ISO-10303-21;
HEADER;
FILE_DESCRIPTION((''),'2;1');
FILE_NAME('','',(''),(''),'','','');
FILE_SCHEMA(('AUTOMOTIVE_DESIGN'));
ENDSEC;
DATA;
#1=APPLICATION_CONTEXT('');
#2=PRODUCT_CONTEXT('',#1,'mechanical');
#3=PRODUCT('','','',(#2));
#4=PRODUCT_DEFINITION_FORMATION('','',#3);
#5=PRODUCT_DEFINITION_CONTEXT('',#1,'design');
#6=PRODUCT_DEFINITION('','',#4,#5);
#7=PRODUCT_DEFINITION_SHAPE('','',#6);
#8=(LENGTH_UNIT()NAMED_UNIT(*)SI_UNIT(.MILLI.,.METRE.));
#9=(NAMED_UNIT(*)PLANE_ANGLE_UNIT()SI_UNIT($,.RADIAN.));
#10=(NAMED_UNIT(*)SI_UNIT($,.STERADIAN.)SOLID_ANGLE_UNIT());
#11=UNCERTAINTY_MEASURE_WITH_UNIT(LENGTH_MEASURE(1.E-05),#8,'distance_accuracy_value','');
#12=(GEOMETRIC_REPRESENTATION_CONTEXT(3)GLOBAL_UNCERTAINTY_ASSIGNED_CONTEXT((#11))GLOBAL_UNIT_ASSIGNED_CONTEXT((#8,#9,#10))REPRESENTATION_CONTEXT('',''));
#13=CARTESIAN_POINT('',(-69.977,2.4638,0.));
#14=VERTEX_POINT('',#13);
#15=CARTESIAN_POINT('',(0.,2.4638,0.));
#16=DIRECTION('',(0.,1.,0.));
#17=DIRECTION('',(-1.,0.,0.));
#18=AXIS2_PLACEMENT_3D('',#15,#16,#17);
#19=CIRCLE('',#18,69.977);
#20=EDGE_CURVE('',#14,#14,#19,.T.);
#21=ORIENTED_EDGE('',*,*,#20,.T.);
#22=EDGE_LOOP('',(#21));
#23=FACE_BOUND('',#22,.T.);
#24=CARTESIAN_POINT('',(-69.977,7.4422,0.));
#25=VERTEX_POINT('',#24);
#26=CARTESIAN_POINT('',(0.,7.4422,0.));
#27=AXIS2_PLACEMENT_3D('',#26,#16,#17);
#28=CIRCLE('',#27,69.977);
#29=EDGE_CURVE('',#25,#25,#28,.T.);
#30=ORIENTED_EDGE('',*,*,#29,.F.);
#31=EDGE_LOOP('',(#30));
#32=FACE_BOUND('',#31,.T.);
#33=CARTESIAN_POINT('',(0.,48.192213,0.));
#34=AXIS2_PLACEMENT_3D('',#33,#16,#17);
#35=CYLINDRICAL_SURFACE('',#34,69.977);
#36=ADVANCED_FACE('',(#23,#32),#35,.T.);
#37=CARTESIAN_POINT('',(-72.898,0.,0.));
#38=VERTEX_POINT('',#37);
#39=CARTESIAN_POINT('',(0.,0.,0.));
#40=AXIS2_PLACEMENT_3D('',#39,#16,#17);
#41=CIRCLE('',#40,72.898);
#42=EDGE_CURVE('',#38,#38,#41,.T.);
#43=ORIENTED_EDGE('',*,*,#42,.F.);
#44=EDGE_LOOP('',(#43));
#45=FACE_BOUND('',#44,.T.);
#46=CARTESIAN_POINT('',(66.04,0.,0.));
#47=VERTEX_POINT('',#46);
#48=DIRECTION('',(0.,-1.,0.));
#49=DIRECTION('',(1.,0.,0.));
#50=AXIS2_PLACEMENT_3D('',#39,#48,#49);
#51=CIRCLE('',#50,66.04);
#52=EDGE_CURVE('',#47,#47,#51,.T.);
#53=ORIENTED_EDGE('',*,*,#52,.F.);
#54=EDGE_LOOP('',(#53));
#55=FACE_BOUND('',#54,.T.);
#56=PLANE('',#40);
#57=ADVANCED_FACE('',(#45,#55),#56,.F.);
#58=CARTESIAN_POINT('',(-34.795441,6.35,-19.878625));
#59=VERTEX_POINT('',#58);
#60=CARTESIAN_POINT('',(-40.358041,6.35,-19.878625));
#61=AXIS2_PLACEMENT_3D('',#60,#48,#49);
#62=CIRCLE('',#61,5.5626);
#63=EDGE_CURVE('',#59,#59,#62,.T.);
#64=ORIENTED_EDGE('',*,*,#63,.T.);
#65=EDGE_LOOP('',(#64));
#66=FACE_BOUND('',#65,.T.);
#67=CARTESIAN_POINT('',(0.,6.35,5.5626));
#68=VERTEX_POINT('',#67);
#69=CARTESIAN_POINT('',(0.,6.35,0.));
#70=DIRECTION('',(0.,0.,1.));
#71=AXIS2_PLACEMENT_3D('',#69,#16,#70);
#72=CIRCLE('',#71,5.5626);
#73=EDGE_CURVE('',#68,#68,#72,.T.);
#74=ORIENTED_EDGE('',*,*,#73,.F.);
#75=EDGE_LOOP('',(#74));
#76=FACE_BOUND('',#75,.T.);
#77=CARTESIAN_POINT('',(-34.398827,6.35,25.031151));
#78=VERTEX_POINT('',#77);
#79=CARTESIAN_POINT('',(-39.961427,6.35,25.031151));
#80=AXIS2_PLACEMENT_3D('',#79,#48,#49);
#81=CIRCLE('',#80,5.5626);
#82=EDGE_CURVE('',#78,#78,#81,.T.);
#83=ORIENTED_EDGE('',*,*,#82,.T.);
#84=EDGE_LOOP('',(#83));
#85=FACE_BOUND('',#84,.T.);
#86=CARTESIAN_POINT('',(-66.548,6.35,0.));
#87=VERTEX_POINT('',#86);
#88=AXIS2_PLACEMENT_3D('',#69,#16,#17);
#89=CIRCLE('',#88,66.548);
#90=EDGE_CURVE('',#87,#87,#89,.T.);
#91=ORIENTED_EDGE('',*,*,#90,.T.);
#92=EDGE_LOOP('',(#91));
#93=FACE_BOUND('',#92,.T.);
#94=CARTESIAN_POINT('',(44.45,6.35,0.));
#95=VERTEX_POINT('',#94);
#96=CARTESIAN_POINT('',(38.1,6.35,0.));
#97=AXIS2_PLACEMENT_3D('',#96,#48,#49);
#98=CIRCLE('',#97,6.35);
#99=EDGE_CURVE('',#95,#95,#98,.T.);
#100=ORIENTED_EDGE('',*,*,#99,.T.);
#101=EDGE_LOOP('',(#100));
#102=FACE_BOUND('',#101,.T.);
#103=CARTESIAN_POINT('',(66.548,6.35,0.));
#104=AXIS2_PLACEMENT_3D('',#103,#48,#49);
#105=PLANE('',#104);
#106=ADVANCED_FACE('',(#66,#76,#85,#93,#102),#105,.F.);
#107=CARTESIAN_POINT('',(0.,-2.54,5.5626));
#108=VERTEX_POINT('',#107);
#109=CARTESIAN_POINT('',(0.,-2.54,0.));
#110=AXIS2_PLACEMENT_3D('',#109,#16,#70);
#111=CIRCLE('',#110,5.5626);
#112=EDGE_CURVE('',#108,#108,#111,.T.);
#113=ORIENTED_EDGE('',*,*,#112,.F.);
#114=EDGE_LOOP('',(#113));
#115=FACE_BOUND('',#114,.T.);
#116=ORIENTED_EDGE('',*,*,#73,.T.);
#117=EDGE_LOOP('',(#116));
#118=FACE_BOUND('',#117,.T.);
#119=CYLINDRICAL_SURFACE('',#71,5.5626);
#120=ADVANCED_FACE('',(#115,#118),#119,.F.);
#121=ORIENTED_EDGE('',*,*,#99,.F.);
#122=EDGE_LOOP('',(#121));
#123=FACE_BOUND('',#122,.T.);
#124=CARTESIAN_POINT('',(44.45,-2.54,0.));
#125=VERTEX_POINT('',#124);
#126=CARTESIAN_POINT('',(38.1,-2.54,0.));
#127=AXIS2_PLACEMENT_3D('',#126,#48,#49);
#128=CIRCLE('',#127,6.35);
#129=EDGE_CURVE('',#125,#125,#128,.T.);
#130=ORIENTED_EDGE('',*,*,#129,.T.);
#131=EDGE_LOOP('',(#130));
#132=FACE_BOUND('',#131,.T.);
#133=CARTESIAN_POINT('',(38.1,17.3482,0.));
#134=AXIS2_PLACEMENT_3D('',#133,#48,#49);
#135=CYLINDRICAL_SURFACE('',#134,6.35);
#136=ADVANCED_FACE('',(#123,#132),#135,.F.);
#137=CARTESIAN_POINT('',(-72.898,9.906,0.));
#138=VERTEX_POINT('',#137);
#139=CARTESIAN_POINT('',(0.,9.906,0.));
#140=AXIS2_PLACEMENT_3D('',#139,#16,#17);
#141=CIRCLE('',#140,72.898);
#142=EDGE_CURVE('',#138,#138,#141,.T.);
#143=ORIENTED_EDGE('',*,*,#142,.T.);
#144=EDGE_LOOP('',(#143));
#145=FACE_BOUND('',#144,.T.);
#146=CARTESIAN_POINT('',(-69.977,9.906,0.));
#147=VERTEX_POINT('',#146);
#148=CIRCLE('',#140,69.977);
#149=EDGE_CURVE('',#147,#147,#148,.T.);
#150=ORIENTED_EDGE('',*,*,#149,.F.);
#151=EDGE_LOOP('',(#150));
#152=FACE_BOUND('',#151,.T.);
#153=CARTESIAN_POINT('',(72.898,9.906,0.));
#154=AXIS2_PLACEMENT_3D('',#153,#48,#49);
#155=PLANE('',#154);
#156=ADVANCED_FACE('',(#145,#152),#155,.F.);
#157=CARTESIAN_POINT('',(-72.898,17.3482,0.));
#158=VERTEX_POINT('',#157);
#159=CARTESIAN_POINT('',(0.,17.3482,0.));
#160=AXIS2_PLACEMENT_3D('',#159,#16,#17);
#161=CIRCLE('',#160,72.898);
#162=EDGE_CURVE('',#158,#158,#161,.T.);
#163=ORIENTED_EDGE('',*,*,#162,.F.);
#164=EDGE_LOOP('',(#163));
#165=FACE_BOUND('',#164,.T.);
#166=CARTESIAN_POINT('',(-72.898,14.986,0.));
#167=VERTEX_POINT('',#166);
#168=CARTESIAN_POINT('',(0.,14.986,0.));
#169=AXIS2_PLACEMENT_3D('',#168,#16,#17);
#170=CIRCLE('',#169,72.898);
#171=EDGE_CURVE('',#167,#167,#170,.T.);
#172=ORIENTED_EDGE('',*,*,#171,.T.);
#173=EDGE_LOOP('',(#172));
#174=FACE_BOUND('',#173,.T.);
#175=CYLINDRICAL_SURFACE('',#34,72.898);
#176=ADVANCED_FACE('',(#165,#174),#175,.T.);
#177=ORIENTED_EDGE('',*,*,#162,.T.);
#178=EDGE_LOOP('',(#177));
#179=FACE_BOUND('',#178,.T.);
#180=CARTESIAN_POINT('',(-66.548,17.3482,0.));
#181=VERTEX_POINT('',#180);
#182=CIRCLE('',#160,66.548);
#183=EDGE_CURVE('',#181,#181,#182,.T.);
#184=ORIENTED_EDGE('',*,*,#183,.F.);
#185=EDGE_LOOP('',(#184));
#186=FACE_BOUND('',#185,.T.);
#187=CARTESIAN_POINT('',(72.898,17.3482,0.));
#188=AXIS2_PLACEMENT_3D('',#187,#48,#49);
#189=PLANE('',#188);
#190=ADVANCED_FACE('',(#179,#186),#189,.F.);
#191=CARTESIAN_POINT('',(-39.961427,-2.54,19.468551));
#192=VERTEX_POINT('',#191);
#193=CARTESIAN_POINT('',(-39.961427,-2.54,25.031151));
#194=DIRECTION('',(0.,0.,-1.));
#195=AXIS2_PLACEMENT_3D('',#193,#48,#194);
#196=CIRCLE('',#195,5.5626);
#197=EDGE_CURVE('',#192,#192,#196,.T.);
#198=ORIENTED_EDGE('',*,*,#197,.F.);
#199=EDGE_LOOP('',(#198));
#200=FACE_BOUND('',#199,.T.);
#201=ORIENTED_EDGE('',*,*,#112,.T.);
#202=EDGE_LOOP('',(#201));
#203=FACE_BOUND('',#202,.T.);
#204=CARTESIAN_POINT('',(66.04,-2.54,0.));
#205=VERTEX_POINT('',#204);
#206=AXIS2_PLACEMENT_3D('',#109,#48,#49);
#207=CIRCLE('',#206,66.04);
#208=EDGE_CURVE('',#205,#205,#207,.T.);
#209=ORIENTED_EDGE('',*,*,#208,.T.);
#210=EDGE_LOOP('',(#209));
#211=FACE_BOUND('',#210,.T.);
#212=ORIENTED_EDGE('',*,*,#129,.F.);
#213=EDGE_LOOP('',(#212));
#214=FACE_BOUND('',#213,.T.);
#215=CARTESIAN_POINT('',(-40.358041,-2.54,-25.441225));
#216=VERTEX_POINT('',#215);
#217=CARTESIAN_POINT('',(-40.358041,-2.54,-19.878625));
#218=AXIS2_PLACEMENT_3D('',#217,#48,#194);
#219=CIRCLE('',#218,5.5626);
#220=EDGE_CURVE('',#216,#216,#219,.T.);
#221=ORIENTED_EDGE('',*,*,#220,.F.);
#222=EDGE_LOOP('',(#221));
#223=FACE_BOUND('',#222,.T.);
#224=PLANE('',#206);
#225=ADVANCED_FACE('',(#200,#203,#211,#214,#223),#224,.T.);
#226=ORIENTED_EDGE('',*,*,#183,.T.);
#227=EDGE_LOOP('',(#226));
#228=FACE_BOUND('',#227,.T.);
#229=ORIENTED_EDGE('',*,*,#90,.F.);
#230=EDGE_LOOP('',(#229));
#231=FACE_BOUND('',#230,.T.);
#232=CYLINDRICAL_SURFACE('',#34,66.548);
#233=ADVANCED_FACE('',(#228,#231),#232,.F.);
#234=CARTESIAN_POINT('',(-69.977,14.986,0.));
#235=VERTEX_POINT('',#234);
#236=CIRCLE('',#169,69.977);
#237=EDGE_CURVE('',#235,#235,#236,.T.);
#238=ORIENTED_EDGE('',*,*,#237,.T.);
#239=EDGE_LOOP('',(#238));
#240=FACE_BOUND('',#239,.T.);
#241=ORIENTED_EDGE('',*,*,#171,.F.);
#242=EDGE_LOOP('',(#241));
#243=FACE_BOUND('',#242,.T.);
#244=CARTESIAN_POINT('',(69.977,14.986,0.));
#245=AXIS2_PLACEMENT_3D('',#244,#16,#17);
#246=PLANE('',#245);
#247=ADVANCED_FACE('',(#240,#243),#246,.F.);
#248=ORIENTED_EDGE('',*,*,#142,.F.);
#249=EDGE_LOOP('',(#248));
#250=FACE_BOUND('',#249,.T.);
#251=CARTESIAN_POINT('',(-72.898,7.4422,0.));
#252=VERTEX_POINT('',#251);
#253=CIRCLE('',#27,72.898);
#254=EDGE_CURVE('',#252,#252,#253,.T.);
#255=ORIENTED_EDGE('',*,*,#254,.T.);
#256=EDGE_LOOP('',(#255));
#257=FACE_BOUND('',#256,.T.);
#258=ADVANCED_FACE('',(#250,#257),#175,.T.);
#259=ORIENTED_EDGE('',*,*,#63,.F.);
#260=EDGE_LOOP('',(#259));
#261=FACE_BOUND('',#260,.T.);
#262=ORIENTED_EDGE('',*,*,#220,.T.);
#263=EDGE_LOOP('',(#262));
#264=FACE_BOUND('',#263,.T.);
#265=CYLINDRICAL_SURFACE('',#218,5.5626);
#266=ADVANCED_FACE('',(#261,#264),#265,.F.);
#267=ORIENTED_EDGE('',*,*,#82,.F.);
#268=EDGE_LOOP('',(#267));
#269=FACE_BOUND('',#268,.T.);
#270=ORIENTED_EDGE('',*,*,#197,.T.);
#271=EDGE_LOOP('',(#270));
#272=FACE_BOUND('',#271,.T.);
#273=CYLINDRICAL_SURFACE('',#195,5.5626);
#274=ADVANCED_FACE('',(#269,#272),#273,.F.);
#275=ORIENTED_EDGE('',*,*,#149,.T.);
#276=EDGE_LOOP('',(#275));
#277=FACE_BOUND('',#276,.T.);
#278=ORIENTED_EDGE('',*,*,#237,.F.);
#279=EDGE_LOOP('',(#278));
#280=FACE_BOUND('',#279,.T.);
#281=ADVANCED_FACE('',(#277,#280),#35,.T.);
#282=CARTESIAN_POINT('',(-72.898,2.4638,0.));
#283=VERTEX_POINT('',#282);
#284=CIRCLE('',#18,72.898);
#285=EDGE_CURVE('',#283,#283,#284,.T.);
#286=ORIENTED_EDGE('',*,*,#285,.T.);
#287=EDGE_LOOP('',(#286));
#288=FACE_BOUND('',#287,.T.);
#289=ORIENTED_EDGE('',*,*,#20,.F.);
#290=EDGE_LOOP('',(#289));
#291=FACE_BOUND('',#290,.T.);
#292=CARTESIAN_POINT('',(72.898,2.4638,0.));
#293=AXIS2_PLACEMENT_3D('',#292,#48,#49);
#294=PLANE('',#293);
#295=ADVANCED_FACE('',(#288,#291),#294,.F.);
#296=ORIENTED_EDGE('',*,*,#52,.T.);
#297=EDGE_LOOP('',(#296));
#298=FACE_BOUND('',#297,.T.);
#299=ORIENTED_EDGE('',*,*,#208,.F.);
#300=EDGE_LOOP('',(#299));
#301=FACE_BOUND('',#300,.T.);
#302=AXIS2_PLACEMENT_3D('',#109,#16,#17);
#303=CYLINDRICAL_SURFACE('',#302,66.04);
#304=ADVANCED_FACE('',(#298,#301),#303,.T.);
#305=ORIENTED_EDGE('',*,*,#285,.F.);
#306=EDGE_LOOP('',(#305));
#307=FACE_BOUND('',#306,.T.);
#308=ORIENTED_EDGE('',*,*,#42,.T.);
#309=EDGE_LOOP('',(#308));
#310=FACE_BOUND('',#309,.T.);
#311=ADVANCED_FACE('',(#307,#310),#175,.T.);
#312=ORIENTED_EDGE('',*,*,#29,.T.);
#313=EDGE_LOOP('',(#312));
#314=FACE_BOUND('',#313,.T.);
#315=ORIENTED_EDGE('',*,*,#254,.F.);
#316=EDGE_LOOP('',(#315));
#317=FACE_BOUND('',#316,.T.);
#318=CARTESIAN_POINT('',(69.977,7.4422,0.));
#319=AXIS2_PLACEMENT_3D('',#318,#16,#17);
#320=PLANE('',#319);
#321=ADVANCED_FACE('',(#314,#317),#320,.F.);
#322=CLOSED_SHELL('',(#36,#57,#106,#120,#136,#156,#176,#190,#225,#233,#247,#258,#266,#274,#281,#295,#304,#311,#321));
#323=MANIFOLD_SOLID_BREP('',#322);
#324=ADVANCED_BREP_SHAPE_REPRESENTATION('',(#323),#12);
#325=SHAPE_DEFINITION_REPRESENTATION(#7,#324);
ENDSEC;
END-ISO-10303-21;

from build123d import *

# Parameters (mm, degrees)
SKETCH6_R                                = 66.04
BOSS_EXTRUDE1_DEPTH                      = 2.54
PIPE_TAP_DRILL_FOR_1_4_TAP_GN2_D         = 11.1252
SKETCH7_R                                = 6.35
CUT_EXTRUDE1_SIPHON_DEPTH                = 105.994177492
PIPE_TAP_DRILL_FOR_1_4_TAP_RELIEF_VALV_D = 11.1252
PIPE_TAP_DRILL_FOR_1_4_TAP_VENT_VALVE_D  = 11.1252


with BuildPart() as part:
    # Sketch1 → Revolve1 (revolve)
    with BuildSketch(Plane.XY, mode=Mode.PRIVATE) as revolve1_sk:
        Polygon((0, 0), (72.898, 0), (72.898, 2.4638), (69.977, 2.4638), (69.977, 7.4422), (72.898, 7.4422), (72.898, 9.906), (69.977, 9.906), (69.977, 14.986), (72.898, 14.986), (72.898, 17.3482), (66.548, 17.3482), (66.548, 6.35), (0, 6.35), align=None)
    revolve(revolve1_sk.sketch.rotate(Axis((0, 48.192213231, 0), (0, -1, 0)), 180), axis=Axis((0, 48.192213231, 0), (0, -1, 0)))

    # Sketch6 → Boss-Extrude1 (add)
    with BuildSketch(Plane.XZ):
        Circle(SKETCH6_R)
    extrude(amount=BOSS_EXTRUDE1_DEPTH)

    # Pipe Tap Drill for 1/4 Tap - GN2 (through all)
    with Locations(Plane(origin=(0, 6.35, 0), x_dir=(1, 0, 0), z_dir=(0, 1, 0))):
        with Locations((0, 0)):
            Hole(PIPE_TAP_DRILL_FOR_1_4_TAP_GN2_D / 2)

    # Sketch7 → Cut-Extrude1-Siphon (cut, through all)
    with BuildSketch(Plane(origin=(0, -2.54, 0), x_dir=(-1, 0, 0), z_dir=(0, -1, 0))):
        with Locations(Location((-38.1, 0, 0), (0, 0, 180))):
            Circle(SKETCH7_R)
    extrude(amount=-CUT_EXTRUDE1_SIPHON_DEPTH, mode=Mode.SUBTRACT)

    # Pipe Tap Drill for 1/4 Tap - Relief Valve (through all)
    with Locations(Plane(origin=(0, -2.54, 0), x_dir=(-1, 0, 0), z_dir=(0, -1, 0))):
        with Locations((40.358041229, 19.878625199)):
            Hole(PIPE_TAP_DRILL_FOR_1_4_TAP_RELIEF_VALV_D / 2)

    # Pipe Tap Drill for 1/4 Tap - Vent Valve (through all)
    with Locations(Plane(origin=(0, -2.54, 0), x_dir=(-1, 0, 0), z_dir=(0, -1, 0))):
        with Locations((39.961427255, -25.031151171)):
            Hole(PIPE_TAP_DRILL_FOR_1_4_TAP_VENT_VALVE_D / 2)


solid = part.part
